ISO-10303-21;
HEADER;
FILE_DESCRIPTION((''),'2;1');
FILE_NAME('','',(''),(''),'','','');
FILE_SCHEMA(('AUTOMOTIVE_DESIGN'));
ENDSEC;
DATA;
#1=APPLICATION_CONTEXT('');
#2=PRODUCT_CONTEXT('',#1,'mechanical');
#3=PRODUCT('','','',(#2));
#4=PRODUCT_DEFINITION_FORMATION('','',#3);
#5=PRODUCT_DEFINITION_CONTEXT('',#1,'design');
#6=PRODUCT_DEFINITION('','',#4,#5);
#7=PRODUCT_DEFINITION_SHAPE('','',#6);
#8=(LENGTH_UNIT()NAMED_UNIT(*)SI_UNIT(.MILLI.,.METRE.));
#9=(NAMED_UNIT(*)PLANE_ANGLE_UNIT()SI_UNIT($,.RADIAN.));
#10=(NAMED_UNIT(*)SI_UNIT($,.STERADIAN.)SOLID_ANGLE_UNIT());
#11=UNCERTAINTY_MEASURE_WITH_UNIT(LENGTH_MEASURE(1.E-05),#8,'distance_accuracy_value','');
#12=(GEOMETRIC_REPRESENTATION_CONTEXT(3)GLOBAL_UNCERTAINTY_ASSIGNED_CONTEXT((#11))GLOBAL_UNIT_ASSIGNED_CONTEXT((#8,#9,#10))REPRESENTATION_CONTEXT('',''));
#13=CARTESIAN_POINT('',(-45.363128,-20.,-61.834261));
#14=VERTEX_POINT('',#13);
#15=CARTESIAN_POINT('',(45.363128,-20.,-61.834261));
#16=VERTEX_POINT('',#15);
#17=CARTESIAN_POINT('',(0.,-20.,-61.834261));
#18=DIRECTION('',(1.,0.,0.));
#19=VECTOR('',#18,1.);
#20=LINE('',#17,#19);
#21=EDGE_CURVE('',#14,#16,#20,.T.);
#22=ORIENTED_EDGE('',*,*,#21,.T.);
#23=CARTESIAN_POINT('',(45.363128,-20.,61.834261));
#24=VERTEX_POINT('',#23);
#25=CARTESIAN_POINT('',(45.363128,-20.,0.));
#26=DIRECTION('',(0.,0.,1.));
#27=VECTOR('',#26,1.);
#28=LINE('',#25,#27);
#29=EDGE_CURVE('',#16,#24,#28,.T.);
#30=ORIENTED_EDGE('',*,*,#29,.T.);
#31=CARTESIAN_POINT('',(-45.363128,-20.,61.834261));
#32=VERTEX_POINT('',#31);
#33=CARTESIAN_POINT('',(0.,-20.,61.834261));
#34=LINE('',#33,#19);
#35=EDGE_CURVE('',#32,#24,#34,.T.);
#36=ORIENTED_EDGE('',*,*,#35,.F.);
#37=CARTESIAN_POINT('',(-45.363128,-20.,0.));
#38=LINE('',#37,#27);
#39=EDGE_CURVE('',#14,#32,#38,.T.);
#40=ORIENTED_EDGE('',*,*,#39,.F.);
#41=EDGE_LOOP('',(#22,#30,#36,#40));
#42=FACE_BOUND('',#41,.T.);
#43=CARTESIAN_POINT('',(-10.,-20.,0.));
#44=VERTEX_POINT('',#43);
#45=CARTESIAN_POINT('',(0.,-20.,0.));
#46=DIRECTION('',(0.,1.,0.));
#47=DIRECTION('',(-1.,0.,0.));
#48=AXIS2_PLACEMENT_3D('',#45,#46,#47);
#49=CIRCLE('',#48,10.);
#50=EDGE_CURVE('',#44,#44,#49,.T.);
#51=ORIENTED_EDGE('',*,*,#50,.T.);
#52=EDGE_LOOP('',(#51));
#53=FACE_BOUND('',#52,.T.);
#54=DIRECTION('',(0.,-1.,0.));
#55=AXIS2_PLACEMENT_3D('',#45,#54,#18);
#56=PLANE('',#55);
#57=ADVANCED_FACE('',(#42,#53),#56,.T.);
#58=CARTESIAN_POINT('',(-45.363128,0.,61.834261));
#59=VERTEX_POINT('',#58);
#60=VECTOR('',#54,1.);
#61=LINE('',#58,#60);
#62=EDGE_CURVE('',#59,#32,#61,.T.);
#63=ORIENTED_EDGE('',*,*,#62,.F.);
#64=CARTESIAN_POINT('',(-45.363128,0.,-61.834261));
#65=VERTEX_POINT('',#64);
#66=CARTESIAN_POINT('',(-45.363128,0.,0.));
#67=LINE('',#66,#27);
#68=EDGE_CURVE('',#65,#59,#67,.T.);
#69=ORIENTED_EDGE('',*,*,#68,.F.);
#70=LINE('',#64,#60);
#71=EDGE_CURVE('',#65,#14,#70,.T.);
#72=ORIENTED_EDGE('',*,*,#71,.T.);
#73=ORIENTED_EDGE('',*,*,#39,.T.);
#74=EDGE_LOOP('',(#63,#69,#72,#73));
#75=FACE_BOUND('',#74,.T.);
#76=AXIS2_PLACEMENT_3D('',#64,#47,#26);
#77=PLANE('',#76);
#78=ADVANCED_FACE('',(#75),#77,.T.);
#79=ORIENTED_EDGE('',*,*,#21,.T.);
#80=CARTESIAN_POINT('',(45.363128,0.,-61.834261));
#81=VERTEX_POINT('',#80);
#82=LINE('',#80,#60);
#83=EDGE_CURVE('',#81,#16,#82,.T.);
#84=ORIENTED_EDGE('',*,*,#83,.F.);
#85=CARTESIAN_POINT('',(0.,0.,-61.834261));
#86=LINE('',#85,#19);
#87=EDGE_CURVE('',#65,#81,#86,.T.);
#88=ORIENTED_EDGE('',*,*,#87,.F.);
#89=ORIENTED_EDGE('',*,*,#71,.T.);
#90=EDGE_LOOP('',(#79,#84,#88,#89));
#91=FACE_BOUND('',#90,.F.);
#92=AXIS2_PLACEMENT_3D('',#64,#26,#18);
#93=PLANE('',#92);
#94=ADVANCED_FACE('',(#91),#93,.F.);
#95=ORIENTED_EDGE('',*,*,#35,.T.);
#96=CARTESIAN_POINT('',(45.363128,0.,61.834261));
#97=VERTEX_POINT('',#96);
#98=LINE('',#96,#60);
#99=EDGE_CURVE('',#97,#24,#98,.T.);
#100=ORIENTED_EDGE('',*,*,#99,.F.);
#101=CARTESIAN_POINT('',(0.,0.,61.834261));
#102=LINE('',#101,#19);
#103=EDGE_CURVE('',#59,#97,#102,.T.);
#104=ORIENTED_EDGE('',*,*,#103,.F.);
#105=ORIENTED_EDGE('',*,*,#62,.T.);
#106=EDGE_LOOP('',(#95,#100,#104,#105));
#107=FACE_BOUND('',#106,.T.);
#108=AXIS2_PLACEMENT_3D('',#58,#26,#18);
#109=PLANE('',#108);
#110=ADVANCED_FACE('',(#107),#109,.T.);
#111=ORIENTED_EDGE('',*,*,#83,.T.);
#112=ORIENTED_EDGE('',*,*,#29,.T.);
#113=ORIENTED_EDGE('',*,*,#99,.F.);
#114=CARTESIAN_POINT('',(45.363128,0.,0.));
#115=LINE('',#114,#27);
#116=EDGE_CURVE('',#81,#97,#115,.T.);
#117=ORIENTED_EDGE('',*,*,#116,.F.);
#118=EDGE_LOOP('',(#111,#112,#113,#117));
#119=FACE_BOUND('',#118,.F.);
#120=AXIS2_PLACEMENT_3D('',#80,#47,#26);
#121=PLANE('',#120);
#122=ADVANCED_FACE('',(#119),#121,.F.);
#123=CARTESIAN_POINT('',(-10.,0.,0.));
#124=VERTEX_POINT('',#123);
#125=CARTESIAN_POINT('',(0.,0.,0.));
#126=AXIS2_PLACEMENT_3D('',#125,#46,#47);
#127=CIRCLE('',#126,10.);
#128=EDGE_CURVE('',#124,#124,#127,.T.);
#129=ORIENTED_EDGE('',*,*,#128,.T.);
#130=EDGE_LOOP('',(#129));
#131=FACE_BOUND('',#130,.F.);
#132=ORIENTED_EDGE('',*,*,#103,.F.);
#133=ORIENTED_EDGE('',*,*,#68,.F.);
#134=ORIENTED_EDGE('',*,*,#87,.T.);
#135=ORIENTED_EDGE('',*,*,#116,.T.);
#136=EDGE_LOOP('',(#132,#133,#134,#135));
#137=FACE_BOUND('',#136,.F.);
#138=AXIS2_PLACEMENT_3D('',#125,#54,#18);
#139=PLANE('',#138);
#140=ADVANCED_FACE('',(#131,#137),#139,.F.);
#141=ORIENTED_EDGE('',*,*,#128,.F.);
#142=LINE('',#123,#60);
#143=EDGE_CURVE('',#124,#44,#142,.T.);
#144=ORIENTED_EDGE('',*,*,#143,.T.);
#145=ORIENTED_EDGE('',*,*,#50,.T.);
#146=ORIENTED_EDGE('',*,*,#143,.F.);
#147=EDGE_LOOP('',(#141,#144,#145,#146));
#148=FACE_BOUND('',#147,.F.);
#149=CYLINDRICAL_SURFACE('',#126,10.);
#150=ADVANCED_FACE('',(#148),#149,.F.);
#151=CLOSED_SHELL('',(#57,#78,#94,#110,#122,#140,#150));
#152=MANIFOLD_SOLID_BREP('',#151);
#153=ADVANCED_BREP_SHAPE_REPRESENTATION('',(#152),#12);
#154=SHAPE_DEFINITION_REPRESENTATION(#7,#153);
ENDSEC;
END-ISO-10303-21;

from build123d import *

# Parameters (mm, degrees)
F0_W     = 90.726256
F0_H     = 123.668522
F1_DEPTH = 20
F2_R     = 10
F3_DEPTH = 25


with BuildPart() as f1:
    # F0 (on Front) → F1 (new body)
    with BuildSketch(Plane.XZ):
        Rectangle(F0_W, F0_H)
    extrude(amount=F1_DEPTH)

    # F2 (on face) → F3 (cut)
    with BuildSketch(Plane(origin=(0, 0, 0), x_dir=(-1, 0, 0), z_dir=(0, 1, 0))):
        Circle(F2_R)
    extrude(amount=-F3_DEPTH, mode=Mode.SUBTRACT)


solid = f1.part
